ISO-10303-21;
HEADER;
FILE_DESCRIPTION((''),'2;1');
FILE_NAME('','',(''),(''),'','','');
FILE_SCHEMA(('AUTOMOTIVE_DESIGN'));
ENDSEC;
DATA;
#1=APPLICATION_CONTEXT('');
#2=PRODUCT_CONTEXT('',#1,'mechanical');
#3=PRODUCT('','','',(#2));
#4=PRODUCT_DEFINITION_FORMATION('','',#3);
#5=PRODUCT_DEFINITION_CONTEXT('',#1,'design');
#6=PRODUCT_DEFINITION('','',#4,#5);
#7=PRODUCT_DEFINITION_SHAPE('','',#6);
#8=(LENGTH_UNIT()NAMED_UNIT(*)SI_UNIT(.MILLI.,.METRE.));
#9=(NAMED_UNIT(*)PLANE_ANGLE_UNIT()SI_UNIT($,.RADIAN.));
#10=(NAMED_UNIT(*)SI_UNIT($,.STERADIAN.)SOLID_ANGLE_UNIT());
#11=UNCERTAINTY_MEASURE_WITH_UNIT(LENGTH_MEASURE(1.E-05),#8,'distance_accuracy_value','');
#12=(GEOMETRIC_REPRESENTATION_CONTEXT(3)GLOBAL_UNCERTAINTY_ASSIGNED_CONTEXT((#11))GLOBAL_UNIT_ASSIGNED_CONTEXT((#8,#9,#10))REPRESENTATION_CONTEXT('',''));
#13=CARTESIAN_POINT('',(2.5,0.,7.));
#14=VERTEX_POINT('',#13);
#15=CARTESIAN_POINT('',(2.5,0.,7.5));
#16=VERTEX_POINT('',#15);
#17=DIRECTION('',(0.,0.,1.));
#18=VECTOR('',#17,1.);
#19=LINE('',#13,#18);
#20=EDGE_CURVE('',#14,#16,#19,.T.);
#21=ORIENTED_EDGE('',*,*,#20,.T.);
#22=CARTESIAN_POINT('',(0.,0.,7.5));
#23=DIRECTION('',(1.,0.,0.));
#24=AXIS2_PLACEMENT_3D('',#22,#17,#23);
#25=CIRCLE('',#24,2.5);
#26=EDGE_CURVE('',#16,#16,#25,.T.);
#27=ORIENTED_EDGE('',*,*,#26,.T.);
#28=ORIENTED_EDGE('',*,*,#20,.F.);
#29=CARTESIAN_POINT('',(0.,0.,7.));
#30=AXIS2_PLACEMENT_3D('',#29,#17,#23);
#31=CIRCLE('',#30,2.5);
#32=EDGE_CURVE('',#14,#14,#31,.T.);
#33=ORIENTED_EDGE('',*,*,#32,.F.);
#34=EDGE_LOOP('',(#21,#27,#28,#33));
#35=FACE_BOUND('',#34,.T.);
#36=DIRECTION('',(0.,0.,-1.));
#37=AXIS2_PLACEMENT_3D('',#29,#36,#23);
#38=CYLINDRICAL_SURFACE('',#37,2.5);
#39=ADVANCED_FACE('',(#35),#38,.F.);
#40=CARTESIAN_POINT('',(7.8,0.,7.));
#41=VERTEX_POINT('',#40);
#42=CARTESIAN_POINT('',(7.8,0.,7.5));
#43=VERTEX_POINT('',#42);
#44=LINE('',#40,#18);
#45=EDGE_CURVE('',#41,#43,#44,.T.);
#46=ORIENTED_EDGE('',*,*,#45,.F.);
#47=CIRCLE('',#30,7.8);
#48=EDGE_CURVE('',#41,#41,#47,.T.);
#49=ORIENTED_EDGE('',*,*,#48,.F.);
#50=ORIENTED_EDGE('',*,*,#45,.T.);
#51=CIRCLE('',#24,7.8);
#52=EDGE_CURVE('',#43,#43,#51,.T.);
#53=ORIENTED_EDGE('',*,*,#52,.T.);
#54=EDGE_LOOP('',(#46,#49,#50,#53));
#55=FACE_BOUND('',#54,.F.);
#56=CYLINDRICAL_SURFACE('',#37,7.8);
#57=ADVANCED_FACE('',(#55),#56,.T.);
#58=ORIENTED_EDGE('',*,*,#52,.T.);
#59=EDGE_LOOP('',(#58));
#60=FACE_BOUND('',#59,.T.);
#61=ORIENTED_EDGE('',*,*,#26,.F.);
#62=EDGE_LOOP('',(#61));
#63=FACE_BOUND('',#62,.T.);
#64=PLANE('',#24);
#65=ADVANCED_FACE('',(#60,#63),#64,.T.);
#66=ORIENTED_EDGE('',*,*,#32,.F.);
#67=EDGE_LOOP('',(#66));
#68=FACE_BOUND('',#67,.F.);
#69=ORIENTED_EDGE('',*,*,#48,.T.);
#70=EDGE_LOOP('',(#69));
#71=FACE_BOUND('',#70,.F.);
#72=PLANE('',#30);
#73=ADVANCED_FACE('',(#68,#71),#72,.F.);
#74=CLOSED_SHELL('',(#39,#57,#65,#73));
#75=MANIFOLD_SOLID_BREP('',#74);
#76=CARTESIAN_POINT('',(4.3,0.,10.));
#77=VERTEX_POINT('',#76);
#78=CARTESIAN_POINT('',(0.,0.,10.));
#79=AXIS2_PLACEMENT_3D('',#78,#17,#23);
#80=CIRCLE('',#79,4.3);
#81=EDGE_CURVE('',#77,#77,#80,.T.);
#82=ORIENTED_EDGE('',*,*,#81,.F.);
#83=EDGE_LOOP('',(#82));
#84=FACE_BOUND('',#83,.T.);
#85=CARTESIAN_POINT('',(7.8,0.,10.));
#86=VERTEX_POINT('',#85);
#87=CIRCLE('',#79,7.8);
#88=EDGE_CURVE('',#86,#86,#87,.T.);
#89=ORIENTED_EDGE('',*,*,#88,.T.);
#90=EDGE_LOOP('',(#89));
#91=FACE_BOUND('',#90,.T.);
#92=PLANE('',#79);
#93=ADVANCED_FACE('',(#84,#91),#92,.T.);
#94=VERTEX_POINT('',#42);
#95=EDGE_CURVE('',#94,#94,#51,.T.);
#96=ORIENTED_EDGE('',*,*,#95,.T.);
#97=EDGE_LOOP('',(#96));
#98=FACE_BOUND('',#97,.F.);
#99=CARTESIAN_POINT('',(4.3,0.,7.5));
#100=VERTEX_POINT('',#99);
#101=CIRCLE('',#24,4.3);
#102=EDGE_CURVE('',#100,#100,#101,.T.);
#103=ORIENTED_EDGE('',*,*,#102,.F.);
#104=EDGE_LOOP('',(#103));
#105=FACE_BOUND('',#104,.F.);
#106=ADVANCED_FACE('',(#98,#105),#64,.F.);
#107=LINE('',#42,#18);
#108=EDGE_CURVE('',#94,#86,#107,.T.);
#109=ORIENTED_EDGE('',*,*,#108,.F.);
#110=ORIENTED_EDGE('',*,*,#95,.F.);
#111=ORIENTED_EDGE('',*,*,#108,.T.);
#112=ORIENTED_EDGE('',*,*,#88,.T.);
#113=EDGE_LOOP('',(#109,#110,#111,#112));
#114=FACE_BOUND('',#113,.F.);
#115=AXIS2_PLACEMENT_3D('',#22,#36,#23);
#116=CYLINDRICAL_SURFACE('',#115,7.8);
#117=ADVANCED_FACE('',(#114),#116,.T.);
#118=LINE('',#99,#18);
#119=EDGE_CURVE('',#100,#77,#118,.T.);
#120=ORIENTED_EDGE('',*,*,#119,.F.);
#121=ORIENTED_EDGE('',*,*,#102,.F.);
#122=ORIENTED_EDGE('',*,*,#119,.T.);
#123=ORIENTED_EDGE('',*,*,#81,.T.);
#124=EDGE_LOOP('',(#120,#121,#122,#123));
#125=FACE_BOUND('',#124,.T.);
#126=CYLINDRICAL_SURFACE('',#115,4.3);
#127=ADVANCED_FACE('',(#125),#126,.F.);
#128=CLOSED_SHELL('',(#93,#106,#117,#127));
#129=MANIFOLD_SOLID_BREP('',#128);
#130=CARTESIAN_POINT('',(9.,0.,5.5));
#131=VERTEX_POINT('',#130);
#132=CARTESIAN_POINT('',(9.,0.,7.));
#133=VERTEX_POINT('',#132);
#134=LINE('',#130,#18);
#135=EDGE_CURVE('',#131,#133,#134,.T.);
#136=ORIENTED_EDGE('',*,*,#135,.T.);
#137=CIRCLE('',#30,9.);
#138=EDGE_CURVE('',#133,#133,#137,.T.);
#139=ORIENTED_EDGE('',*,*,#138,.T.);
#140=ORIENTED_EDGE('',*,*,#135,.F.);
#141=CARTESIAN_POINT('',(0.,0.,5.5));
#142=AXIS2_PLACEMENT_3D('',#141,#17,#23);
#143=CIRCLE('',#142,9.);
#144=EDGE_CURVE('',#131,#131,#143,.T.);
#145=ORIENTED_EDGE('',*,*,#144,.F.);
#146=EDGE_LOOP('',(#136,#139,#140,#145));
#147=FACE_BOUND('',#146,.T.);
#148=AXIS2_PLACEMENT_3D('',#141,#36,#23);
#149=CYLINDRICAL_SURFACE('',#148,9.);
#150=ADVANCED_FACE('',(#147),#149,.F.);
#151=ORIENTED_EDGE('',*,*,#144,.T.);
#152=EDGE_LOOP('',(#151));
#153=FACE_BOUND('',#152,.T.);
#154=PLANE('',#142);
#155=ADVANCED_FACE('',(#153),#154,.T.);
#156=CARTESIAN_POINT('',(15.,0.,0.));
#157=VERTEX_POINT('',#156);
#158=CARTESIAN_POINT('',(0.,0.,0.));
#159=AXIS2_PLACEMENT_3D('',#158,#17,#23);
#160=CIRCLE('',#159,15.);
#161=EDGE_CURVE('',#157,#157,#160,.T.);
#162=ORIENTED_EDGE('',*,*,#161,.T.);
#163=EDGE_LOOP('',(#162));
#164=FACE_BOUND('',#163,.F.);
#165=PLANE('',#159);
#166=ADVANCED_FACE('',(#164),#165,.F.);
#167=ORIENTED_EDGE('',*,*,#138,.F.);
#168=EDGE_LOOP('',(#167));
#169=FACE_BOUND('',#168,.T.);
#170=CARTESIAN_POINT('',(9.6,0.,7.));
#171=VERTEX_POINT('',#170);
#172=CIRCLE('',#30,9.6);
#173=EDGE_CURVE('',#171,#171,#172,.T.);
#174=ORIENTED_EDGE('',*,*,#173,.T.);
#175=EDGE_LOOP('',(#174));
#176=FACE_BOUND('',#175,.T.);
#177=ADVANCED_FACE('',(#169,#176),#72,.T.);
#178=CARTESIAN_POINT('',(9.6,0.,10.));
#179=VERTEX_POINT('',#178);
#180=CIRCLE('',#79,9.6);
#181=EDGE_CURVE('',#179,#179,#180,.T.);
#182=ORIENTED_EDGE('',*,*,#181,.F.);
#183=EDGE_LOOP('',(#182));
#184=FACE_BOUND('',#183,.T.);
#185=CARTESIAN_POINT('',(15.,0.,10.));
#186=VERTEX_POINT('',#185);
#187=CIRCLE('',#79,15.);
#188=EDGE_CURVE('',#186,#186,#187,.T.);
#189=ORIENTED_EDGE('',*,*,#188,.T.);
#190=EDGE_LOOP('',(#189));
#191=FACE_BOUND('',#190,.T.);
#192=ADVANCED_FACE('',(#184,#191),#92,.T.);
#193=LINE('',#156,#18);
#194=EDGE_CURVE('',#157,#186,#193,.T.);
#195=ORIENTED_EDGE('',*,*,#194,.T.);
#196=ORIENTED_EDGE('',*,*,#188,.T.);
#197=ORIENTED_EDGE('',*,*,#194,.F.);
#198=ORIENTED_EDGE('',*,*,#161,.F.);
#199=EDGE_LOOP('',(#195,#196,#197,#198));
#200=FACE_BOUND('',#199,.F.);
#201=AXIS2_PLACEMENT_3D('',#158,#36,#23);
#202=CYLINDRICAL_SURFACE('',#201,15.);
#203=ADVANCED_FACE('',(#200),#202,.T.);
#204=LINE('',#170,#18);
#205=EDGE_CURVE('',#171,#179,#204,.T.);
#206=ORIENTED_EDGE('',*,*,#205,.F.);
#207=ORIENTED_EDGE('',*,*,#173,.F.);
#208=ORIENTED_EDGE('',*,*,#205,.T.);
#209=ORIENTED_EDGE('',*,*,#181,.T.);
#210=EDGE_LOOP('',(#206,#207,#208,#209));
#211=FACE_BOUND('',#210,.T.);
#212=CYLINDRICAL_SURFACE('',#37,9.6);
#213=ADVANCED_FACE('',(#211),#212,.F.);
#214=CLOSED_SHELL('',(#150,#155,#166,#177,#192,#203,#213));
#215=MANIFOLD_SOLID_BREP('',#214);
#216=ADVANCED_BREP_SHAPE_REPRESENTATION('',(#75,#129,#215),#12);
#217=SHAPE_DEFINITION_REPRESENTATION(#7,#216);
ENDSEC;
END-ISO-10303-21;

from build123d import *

# Parameters (mm, degrees)
CYLINDER002_R     = 9
CYLINDER002_DEPTH = 1.5
CYLINDER001_R     = 9.6
CYLINDER001_DEPTH = 3
CYLINDER_R        = 15
CYLINDER_DEPTH    = 10
CYLINDER004_R     = 4.3
CYLINDER004_DEPTH = 2.5
CYLINDER003_R     = 7.8
CYLINDER003_DEPTH = 2.5
CYLINDER006_R     = 2.5
CYLINDER006_DEPTH = 0.5
CYLINDER005_R     = 7.8
CYLINDER005_DEPTH = 0.5


with BuildPart() as cylinder002:
    # Cylinder002 → Cylinder002 (new body)
    with BuildSketch(Plane.XY.offset(5.5)):
        Circle(CYLINDER002_R)
    extrude(amount=CYLINDER002_DEPTH)


with BuildPart() as cylinder001:
    # Cylinder001 → Cylinder001 (new body)
    with BuildSketch(Plane.XY.offset(7)):
        Circle(CYLINDER001_R)
    extrude(amount=CYLINDER001_DEPTH)


with BuildPart() as pad:
    # Cylinder → Cylinder (new body)
    with BuildSketch(Plane.XY):
        Circle(CYLINDER_R)
    extrude(amount=CYLINDER_DEPTH)

    # Cut: cut Cylinder001
    add(cylinder001.part, mode=Mode.SUBTRACT)

    # Cut001: cut Cylinder002
    add(cylinder002.part, mode=Mode.SUBTRACT)


with BuildPart() as cylinder004:
    # Cylinder004 → Cylinder004 (new body)
    with BuildSketch(Plane.XY.offset(7.5)):
        Circle(CYLINDER004_R)
    extrude(amount=CYLINDER004_DEPTH)


with BuildPart() as shaiba:
    # Cylinder003 → Cylinder003 (new body)
    with BuildSketch(Plane.XY.offset(7.5)):
        Circle(CYLINDER003_R)
    extrude(amount=CYLINDER003_DEPTH)

    # Cut002: cut Cylinder004
    add(cylinder004.part, mode=Mode.SUBTRACT)


with BuildPart() as cylinder006:
    # Cylinder006 → Cylinder006 (new body)
    with BuildSketch(Plane.XY.offset(7)):
        Circle(CYLINDER006_R)
    extrude(amount=CYLINDER006_DEPTH)


with BuildPart() as prokladka:
    # Cylinder005 → Cylinder005 (new body)
    with BuildSketch(Plane.XY.offset(7)):
        Circle(CYLINDER005_R)
    extrude(amount=CYLINDER005_DEPTH)

    # Cut003: cut Cylinder006
    add(cylinder006.part, mode=Mode.SUBTRACT)


solid = Compound([pad.part, shaiba.part, prokladka.part])
